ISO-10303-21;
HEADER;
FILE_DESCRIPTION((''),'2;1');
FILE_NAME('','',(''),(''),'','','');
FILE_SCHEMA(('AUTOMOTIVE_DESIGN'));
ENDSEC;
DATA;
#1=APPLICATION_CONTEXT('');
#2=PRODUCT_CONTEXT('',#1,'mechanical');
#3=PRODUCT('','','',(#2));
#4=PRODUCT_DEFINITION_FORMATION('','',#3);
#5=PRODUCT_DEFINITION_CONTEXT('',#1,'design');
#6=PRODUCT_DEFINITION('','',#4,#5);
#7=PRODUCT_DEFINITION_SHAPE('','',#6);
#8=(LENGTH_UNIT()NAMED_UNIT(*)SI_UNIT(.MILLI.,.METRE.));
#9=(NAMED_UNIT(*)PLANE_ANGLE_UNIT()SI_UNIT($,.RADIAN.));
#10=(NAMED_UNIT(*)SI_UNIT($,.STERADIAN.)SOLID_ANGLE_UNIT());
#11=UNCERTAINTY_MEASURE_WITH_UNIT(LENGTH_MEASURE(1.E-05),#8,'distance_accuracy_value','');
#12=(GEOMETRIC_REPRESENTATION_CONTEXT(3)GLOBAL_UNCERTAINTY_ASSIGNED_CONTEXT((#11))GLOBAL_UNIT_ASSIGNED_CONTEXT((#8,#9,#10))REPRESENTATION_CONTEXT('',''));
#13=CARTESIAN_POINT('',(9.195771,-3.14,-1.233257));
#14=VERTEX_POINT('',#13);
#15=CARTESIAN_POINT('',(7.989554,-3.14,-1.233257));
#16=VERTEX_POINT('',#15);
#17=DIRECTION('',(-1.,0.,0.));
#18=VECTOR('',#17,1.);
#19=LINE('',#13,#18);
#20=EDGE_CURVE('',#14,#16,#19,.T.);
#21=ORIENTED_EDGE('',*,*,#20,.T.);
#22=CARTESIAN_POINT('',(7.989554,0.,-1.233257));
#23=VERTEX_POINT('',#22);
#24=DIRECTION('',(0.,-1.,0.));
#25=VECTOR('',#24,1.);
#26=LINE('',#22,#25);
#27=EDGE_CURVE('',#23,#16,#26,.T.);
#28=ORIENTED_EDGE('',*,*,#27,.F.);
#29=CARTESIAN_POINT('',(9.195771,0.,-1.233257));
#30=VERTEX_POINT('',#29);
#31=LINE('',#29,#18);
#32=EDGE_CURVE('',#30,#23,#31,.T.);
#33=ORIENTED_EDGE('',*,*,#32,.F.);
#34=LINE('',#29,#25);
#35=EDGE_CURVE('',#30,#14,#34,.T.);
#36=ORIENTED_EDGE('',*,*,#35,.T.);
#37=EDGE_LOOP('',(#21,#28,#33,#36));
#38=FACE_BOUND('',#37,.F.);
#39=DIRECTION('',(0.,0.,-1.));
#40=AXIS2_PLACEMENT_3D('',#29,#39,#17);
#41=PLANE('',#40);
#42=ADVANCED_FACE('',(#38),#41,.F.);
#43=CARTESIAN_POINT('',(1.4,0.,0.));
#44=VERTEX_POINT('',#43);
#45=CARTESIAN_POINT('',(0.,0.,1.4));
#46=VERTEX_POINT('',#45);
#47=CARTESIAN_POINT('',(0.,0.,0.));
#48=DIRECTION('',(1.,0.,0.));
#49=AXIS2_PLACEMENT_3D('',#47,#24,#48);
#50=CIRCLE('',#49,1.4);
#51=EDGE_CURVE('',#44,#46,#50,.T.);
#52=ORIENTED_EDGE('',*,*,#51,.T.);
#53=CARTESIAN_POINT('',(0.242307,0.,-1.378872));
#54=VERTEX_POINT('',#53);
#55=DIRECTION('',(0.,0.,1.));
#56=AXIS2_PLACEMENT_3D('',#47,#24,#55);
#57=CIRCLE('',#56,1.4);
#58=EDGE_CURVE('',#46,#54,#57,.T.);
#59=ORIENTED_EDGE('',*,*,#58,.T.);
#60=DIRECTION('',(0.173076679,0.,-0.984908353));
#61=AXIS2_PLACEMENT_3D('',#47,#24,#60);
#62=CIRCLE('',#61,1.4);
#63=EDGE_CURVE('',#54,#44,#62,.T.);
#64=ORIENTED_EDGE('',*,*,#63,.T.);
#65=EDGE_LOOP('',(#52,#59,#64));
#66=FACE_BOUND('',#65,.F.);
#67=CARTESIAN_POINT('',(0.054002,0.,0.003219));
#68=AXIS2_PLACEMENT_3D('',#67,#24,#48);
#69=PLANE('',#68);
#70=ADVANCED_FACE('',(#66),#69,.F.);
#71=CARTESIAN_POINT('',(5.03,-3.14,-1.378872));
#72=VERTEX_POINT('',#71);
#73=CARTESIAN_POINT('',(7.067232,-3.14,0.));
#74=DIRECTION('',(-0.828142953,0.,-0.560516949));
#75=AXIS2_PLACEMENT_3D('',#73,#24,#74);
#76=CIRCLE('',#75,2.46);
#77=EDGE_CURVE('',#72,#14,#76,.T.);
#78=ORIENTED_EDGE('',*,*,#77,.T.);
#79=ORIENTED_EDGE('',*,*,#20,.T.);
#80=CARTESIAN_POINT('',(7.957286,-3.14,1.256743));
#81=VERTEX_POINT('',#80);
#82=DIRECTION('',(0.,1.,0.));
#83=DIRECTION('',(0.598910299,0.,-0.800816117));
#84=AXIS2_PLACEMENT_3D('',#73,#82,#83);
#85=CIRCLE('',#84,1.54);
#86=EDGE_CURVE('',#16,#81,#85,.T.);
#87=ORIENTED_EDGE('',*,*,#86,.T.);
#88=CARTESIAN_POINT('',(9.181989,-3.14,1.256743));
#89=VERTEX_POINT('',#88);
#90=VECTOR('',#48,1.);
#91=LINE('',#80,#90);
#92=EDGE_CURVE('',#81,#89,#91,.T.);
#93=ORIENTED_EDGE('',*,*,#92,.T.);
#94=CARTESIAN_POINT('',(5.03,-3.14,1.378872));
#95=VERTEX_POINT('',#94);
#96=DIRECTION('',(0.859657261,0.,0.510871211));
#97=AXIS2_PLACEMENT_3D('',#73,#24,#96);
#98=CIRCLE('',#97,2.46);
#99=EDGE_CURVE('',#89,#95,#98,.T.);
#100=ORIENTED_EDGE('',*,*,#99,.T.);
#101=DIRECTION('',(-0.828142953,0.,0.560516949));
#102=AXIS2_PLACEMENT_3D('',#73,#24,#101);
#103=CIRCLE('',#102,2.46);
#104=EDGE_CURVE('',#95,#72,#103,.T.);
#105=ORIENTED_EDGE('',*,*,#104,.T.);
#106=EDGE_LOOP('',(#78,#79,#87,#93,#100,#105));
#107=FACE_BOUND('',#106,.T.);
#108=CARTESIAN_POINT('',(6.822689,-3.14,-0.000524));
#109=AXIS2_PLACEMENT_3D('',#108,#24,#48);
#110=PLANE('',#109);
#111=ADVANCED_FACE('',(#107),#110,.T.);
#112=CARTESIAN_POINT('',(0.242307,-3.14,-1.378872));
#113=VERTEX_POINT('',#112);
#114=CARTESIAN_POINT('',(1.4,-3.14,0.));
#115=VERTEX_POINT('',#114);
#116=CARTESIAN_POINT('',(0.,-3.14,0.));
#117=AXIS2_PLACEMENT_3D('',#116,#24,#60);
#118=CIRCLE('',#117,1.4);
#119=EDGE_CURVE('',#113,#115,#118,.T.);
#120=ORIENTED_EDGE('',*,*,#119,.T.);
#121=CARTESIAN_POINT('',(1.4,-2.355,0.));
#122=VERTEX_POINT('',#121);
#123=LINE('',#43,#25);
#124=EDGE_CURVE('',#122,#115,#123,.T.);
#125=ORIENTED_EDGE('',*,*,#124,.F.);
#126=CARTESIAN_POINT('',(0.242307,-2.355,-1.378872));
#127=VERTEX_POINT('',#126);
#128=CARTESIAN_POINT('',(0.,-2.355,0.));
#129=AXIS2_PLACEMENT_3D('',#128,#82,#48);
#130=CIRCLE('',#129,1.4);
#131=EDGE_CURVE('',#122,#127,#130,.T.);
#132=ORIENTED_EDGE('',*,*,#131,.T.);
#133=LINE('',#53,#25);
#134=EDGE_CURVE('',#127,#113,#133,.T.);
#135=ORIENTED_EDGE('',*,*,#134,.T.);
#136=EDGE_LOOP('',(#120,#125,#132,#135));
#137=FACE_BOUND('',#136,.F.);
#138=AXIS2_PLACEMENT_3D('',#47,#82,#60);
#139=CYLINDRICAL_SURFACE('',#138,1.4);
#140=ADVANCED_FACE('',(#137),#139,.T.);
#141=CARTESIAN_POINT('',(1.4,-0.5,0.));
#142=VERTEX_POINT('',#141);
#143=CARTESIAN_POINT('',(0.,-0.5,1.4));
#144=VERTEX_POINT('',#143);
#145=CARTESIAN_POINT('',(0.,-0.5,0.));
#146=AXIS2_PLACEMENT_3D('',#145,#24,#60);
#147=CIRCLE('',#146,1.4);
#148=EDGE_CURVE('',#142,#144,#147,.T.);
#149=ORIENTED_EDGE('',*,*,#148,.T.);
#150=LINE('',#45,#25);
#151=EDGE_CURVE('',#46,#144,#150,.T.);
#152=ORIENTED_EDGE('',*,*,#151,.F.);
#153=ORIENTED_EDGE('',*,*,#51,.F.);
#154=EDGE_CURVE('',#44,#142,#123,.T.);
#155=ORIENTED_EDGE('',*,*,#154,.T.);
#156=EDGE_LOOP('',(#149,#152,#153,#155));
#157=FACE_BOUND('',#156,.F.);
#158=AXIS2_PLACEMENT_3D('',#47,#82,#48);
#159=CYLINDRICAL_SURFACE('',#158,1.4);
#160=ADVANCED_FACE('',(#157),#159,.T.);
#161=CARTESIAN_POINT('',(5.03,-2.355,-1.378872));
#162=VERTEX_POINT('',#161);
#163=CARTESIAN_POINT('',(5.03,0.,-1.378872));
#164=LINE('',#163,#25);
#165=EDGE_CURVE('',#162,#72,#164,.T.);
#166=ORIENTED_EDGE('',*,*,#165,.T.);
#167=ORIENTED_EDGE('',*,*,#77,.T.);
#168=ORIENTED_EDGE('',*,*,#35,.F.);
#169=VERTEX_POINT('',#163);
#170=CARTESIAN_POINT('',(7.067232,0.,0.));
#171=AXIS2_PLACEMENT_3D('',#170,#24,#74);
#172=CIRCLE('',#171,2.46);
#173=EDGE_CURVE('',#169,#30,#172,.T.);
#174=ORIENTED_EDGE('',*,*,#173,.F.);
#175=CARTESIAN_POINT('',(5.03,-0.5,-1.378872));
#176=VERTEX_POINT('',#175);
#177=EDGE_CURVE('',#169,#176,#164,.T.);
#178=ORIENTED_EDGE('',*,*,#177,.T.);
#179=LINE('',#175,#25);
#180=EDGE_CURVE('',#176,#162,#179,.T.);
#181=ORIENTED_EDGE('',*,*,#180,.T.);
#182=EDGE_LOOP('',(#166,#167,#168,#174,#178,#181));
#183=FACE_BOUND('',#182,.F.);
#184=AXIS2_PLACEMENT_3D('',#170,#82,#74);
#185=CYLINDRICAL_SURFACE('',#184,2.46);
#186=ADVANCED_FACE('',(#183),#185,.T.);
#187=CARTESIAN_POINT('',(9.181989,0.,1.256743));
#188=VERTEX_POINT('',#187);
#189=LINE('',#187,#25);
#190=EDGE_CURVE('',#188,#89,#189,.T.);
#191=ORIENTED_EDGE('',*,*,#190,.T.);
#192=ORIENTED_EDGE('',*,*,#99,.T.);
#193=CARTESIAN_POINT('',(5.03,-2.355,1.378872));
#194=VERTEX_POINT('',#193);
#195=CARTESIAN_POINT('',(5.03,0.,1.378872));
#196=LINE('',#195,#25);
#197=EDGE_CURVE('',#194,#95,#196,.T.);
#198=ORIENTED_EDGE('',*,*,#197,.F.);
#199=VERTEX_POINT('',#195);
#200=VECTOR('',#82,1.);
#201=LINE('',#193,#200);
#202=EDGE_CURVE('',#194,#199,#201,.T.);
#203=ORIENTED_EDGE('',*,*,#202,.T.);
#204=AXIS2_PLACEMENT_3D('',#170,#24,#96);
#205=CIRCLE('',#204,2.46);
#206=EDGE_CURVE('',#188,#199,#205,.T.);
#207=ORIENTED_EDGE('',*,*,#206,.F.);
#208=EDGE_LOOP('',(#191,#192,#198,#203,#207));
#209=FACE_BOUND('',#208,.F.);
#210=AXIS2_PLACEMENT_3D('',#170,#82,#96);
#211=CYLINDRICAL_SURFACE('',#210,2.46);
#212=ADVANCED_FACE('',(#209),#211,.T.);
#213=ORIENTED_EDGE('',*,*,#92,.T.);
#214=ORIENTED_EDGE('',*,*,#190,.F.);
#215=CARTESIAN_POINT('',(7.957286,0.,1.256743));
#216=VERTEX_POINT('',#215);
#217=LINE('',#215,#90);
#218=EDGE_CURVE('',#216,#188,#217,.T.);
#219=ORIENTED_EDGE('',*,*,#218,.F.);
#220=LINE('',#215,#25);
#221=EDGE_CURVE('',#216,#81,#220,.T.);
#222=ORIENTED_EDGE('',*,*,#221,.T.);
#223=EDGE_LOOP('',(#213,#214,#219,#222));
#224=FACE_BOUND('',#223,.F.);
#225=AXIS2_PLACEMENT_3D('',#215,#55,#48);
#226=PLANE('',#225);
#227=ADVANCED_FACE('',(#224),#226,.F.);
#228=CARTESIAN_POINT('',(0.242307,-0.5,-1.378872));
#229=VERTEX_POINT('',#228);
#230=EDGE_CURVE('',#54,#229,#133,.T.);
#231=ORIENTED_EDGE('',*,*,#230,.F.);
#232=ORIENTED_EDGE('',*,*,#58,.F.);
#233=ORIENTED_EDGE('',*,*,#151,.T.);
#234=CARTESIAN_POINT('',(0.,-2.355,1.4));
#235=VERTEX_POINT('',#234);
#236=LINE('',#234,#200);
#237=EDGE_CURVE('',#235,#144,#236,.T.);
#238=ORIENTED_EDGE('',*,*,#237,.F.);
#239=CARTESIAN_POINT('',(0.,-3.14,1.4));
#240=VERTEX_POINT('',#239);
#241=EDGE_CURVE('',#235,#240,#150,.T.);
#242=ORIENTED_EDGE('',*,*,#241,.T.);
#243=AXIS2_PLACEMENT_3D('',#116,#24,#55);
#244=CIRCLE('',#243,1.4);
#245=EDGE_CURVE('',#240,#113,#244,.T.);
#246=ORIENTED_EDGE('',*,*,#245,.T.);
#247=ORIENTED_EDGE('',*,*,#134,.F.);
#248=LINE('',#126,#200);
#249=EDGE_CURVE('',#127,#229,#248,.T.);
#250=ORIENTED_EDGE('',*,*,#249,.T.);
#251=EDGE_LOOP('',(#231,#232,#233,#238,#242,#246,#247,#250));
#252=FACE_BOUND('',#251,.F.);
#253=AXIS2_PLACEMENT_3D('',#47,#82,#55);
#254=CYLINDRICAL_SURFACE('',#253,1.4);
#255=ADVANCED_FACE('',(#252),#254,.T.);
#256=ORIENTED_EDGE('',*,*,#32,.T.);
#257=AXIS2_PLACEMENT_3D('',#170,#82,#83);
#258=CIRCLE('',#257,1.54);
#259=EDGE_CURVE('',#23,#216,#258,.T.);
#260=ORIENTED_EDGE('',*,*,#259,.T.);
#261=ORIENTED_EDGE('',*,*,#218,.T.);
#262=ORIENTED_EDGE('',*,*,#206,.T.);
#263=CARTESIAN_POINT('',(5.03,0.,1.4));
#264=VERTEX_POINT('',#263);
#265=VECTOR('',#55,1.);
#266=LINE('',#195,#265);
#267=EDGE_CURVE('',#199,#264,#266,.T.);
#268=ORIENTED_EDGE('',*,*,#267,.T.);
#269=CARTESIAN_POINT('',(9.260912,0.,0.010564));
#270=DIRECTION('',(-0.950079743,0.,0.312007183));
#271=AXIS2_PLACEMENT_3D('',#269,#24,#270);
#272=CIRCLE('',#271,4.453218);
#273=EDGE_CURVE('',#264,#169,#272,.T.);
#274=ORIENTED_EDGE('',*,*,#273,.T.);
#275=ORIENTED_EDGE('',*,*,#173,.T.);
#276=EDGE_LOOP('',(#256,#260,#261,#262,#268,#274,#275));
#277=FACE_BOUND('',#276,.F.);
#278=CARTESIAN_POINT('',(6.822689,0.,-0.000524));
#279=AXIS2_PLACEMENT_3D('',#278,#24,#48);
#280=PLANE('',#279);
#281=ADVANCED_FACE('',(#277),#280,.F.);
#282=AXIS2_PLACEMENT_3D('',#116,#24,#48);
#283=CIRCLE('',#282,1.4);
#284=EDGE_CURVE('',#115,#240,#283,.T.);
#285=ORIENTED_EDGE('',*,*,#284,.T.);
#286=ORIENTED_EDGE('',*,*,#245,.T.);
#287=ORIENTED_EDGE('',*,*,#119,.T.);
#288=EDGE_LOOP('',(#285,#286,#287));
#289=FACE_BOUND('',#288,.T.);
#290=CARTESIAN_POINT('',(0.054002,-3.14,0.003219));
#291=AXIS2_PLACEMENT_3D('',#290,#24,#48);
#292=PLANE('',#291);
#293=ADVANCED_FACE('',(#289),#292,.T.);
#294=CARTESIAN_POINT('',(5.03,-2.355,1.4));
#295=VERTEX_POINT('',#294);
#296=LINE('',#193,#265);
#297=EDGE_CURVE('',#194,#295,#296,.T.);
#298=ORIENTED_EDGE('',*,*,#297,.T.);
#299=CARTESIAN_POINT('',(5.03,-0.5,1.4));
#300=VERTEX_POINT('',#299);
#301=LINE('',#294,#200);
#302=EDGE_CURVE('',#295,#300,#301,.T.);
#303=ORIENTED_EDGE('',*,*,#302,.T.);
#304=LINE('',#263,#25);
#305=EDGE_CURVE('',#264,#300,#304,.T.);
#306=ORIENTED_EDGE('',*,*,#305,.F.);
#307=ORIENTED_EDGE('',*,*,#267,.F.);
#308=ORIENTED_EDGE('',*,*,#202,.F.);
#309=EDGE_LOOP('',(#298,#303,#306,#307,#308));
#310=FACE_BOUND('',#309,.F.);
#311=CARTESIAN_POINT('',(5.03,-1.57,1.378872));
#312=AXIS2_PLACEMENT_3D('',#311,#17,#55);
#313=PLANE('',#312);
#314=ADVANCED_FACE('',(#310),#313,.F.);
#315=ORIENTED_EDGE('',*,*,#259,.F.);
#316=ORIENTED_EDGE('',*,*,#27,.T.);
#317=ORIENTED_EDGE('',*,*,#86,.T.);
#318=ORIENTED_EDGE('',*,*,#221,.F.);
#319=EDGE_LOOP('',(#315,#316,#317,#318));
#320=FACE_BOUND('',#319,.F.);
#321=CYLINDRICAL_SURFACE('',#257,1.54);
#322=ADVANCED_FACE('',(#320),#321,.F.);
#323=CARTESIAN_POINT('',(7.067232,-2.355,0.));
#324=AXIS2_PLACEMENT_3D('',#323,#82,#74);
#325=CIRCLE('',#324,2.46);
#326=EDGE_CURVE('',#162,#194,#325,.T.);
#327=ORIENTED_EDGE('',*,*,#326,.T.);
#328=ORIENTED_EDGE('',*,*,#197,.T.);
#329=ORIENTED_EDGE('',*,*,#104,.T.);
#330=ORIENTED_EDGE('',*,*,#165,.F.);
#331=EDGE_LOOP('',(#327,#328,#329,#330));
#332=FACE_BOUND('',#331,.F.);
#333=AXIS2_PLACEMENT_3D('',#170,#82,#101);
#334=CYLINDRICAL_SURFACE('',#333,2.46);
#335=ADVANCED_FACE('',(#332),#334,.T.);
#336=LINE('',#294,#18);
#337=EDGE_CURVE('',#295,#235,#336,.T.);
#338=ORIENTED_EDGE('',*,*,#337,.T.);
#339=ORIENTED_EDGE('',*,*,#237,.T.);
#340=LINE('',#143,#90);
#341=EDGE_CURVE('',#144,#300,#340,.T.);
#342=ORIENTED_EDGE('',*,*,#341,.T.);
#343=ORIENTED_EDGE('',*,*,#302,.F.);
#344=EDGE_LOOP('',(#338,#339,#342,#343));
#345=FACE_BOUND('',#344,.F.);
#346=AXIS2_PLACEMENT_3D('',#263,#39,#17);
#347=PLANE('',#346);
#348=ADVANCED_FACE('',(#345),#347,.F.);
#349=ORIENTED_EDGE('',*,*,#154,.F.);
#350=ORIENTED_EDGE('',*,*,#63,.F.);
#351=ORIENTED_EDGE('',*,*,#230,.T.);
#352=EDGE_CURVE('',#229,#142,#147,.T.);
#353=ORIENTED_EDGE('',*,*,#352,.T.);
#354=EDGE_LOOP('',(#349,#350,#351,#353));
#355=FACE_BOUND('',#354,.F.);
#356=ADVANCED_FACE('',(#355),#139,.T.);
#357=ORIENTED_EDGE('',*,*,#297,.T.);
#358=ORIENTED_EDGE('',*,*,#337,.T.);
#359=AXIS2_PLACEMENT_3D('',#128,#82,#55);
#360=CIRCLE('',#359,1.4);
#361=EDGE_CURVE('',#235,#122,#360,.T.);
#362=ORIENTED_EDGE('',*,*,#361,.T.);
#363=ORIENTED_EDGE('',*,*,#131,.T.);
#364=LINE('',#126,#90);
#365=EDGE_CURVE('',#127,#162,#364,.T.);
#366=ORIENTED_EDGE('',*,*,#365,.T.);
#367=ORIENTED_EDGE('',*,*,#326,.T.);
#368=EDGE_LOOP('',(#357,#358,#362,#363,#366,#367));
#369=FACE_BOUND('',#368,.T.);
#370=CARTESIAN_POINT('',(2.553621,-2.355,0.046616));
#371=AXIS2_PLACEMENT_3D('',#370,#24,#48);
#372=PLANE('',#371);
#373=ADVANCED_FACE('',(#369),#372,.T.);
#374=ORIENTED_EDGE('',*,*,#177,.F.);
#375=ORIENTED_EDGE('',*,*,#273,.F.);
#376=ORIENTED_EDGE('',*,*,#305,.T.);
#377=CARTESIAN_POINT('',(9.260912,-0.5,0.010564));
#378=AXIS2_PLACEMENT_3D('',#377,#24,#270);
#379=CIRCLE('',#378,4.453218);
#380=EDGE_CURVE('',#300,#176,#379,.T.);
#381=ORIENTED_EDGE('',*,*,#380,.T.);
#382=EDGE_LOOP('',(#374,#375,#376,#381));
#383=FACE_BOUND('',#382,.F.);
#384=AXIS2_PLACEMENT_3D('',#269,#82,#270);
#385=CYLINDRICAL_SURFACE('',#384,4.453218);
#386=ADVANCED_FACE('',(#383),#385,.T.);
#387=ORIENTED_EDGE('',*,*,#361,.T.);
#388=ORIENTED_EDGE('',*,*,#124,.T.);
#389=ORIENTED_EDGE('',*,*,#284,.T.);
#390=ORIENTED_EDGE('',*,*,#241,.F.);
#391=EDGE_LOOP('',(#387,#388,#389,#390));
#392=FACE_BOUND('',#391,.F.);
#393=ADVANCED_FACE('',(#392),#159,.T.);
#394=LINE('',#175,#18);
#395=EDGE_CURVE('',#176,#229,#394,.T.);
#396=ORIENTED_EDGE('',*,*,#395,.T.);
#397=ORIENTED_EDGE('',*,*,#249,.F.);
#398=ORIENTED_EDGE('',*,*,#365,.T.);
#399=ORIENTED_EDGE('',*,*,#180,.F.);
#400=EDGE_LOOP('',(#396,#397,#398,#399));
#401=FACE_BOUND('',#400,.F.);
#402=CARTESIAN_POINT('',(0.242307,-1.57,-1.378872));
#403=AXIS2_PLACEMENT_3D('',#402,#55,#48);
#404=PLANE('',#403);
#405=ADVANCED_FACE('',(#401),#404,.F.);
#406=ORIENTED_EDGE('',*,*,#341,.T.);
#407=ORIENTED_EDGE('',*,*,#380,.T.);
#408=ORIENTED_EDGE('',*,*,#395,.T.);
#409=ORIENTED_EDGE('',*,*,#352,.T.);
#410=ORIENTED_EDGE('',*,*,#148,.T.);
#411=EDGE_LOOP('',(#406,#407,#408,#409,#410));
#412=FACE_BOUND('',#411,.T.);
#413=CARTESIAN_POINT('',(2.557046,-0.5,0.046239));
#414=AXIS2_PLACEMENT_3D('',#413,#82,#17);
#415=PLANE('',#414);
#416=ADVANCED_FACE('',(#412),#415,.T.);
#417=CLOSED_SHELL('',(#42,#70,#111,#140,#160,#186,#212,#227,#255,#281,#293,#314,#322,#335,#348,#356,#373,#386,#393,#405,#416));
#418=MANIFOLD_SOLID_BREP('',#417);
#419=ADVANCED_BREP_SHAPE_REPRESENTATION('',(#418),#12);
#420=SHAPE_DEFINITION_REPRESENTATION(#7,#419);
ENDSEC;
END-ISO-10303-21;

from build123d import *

# Parameters (mm, degrees)
F1_DEPTH = 1.57
F2_DEPTH = 3.14
F4_DEPTH = 0.5
F5_DEPTH = 3.14
F6_DEPTH = 0.785


with BuildPart() as f1:
    # F0 (on Front) → F1 (new body)
    with BuildSketch(Plane.XZ):
        with BuildLine():
            ThreePointArc((0, 1.4), (0.9899494937, 0.9899494937), (1.4, 0))
            ThreePointArc((1.4, 0), (1.0722010752, -0.9002137826), (0.2423073508, -1.3788716937))
            Line((0.2423073508, -1.3788716937), (5.03, -1.3788716937))
            ThreePointArc((5.03, -1.3788716937), (4.6072316639, 0), (5.03, 1.3788716937))
            Line((5.03, 1.3788716937), (5.03, 1.4))
            Line((5.03, 1.4), (0, 1.4))
        make_face()
    extrude(amount=F1_DEPTH)

    # F0 (on Front) → F2 (join)
    with BuildSketch(Plane.XZ):
        with BuildLine():
            ThreePointArc((5.03, 1.3788716937), (4.6072316639, 0), (5.03, -1.3788716937))
            ThreePointArc((5.03, -1.3788716937), (7.1531686939, -2.4584984903), (9.1957705087, -1.2332568208))
            Line((9.1957705087, -1.2332568208), (7.9895535242, -1.2332568208))
            ThreePointArc((7.9895535242, -1.2332568208), (5.5273609556, -0.0199549945), (7.9572859214, 1.2567431792))
            Line((7.9572859214, 1.2567431792), (9.1819885249, 1.2567431792))
            ThreePointArc((9.1819885249, 1.2567431792), (7.139559961, 2.458936481), (5.03, 1.3788716937))
        make_face()
    extrude(amount=F2_DEPTH)

    # F3 (on face) → F4 (cut)
    with BuildSketch(Plane(origin=(0, 0, 0), x_dir=(-1, 0, 0), z_dir=(0, 1, 0))):
        with BuildLine():
            ThreePointArc((-5.03, 1.4), (-4.8076942376, 0.0105641531), (-5.03, -1.3788716937))
            Line((-5.03, -1.3788716937), (-0.2423073508, -1.3788716937))
            ThreePointArc((-0.2423073508, -1.3788716937), (-1.3947079213, 0.1216133808), (0, 1.4))
            Line((0, 1.4), (-5.03, 1.4))
        make_face()
    extrude(amount=-F4_DEPTH, mode=Mode.SUBTRACT)

    # F0 (on Front) → F5 (join)
    with BuildSketch(Plane.XZ):
        with BuildLine():
            ThreePointArc((0.2423073508, -1.3788716937), (1.0722010752, -0.9002137826), (1.4, 0))
            ThreePointArc((1.4, 0), (0.9899494937, 0.9899494937), (0, 1.4))
            ThreePointArc((0, 1.4), (-1.3947079213, -0.1216133808), (0.2423073508, -1.3788716937))
        make_face()
    extrude(amount=F5_DEPTH)

    # F6 (add): a face of the model
    f6_faces = [f1.faces().sort_by_distance(p)[0] for p in [
        (2.9154968292, -1.57, 0.0141355812),
    ]]
    extrude(f6_faces, amount=F6_DEPTH)


solid = f1.part
